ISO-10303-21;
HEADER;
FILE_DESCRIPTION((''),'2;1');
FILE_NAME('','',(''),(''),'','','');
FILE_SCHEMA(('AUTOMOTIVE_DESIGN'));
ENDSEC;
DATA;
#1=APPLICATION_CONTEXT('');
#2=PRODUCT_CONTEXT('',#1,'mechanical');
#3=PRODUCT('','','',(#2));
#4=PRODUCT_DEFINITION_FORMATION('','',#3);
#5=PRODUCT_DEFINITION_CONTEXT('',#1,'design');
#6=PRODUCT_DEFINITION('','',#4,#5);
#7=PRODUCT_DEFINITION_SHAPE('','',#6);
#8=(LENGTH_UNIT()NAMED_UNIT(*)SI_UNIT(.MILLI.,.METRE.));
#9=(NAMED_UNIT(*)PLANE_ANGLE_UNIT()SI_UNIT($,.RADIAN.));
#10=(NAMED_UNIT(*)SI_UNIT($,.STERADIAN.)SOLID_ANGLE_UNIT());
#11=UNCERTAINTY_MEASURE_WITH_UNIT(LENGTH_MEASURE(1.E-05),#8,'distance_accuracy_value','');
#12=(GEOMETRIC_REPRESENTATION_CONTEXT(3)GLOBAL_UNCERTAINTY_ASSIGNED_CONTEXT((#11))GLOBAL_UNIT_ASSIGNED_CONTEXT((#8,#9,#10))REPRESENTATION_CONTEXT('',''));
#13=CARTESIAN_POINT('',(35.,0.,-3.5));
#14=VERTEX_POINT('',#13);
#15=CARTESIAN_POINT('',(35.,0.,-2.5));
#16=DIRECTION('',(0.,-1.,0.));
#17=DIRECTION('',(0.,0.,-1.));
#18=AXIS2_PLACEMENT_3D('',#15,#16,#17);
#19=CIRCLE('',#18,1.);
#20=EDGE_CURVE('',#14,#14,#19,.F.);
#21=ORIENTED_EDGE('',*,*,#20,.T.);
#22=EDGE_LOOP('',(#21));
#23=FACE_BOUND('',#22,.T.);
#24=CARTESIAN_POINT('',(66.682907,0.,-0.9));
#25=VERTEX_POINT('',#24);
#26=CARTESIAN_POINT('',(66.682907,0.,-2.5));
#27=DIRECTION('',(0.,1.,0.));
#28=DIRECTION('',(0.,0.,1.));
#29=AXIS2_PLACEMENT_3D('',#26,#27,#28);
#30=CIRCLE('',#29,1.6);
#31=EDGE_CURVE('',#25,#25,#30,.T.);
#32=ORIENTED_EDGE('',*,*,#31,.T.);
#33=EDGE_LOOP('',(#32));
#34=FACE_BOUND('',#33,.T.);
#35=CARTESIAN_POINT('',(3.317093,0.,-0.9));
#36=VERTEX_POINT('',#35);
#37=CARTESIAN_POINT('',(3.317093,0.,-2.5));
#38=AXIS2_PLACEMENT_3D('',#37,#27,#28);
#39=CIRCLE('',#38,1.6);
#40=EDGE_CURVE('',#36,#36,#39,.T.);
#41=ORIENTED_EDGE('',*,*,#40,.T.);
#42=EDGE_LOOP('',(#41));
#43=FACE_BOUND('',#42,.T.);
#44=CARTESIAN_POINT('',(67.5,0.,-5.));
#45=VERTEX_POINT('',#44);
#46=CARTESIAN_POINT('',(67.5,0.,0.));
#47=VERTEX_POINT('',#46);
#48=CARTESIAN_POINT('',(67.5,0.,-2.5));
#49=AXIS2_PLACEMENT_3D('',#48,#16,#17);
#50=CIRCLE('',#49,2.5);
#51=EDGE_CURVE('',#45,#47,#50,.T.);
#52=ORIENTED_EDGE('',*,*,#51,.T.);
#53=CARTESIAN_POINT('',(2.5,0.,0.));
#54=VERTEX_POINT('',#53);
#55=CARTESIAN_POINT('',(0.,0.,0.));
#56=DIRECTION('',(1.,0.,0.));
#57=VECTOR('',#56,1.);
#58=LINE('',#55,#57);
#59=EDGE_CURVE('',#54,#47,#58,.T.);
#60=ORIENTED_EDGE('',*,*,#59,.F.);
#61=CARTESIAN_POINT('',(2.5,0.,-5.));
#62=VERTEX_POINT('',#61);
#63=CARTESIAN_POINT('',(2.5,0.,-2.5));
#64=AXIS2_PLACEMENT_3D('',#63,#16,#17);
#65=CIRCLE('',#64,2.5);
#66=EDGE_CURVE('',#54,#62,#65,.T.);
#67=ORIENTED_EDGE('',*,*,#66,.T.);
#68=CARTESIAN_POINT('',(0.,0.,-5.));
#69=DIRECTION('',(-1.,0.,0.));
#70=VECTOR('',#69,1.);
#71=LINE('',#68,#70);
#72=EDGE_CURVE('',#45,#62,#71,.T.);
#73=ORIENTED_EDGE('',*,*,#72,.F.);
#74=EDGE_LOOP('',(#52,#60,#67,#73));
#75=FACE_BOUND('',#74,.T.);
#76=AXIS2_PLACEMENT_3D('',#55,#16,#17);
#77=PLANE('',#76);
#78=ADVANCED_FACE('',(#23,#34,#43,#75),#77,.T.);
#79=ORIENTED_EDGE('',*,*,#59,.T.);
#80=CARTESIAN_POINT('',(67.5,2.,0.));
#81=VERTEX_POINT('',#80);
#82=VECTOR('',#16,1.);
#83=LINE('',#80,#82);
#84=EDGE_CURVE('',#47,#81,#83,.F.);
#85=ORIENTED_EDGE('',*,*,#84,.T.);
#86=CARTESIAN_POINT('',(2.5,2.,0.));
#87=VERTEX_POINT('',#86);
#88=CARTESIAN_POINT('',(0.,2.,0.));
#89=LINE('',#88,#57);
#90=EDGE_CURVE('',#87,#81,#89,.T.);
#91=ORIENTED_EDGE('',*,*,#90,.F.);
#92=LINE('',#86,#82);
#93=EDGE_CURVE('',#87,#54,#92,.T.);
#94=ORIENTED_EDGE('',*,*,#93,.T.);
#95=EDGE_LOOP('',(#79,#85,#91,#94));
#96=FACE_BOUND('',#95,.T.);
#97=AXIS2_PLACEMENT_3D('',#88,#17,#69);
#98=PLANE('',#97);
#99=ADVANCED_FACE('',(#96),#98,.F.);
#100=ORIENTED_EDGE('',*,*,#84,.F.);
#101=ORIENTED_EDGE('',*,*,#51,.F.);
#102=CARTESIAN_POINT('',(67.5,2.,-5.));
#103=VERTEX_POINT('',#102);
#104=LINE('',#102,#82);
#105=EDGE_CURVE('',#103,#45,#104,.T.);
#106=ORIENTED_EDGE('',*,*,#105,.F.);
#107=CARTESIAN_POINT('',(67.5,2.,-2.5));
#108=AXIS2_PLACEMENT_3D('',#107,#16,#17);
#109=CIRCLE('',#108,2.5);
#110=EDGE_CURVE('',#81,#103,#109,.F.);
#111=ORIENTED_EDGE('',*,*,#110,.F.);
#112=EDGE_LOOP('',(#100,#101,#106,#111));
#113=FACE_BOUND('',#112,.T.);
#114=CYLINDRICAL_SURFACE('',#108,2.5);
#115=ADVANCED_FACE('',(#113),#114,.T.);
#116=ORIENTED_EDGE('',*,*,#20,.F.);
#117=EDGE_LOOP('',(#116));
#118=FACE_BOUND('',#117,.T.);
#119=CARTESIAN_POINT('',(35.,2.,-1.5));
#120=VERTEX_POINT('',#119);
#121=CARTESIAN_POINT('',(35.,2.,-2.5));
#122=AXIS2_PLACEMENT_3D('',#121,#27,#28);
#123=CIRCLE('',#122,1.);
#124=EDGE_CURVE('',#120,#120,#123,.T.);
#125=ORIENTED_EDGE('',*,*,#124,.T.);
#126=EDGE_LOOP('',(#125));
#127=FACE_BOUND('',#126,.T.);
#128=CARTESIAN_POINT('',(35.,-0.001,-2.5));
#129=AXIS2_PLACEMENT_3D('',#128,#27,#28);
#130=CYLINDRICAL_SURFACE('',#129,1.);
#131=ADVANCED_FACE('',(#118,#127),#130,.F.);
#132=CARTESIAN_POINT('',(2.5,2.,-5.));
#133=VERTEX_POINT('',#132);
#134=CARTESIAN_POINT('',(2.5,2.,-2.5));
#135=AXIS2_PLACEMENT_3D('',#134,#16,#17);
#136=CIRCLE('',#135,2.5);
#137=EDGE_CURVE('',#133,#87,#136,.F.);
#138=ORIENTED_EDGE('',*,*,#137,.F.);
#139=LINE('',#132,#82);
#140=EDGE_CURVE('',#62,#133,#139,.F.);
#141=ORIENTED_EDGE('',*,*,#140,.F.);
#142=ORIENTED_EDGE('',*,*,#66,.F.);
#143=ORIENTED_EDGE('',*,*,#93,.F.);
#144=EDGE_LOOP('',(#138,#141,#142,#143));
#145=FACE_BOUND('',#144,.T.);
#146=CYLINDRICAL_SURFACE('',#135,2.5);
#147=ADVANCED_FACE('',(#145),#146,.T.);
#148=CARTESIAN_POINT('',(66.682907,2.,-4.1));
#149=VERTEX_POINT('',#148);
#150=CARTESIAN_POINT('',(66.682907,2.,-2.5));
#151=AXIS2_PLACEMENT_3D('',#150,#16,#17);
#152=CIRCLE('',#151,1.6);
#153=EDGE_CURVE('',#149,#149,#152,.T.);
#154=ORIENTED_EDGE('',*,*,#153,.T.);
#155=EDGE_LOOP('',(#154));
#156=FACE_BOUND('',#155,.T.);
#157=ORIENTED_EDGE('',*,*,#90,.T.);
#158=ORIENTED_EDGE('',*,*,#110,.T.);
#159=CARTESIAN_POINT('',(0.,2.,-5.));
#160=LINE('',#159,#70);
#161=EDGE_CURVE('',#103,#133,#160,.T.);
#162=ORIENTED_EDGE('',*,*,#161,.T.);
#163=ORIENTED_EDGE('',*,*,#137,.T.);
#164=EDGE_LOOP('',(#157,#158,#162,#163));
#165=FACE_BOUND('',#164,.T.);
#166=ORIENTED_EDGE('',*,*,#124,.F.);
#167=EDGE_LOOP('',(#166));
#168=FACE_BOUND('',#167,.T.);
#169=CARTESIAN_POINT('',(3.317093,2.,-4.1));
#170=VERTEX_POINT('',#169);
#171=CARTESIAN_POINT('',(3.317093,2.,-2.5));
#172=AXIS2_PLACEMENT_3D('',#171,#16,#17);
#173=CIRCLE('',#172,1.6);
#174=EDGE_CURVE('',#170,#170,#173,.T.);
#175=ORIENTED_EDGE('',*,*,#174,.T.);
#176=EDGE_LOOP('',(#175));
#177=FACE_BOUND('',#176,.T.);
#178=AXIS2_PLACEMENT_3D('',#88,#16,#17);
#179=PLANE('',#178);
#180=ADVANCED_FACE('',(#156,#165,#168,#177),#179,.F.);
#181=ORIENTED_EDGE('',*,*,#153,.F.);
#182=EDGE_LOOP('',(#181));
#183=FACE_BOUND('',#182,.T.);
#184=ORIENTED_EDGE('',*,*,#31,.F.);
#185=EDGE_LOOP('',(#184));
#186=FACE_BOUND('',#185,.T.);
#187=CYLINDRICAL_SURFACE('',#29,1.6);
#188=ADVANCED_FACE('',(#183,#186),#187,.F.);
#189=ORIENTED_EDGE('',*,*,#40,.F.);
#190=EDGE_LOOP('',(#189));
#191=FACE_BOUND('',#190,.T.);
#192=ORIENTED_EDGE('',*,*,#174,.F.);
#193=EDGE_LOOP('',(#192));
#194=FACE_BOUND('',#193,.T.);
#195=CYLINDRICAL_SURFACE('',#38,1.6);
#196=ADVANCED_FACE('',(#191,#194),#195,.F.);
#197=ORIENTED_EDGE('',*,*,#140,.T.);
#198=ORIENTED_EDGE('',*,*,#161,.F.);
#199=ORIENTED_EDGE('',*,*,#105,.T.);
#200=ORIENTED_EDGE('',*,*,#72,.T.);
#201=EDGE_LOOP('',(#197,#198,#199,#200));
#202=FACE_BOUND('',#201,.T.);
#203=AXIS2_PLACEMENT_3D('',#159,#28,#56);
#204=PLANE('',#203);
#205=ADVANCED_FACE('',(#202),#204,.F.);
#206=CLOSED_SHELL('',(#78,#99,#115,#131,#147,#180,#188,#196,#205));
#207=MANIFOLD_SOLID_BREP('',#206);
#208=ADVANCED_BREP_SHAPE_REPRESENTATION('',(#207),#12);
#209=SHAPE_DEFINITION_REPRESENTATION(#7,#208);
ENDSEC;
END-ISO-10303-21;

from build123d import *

# Parameters (mm, degrees)
SKETCH1_W               = 70
SKETCH1_H               = 5
BOSS_EXTRUDE1_DEPTH     = 2
CUT_EXTRUDE1_DEPTH      = 71.206837274
CUT_EXTRUDE1_DEPTH_BACK = 71.206837274
SKETCH2_R               = 1.6
CUT_EXTRUDE2_REACH      = 72.207
SKETCH4_R               = 1
FILLET2_RADIUS          = 2.5
FILLET2_LENGTH          = 2
FILLET3_RADIUS          = 2.5
FILLET3_LENGTH          = 2


with BuildPart() as part:
    # Sketch1 → Boss-Extrude1 (new body)
    with BuildSketch(Plane(origin=(0, 0, 0), x_dir=(1, 0, 0), z_dir=(0, 1, 0))):
        with Locations((35, 2.5)):
            Rectangle(SKETCH1_W, SKETCH1_H)
    extrude(amount=BOSS_EXTRUDE1_DEPTH)

    # Sketch2 → Cut-Extrude1 (cut, two sides: drawn at the far end of the back side and taken through both)
    with BuildSketch(Plane(origin=(0, 2, 0), x_dir=(1, 0, 0), z_dir=(0, 1, 0)).offset(-CUT_EXTRUDE1_DEPTH_BACK)):
        with Locations(Location((66.682907, 2.5, 0), (0, 0, 270))):
            Circle(SKETCH2_R)
        with Locations(Location((3.317093, 2.5, 0), (0, 0, 270))):
            Circle(SKETCH2_R)
    extrude(amount=CUT_EXTRUDE1_DEPTH + CUT_EXTRUDE1_DEPTH_BACK, mode=Mode.SUBTRACT)

    # Sketch4 → Cut-Extrude2 (cut, up to next)
    with BuildSketch(Plane(origin=(0, 2, 0), x_dir=(1, 0, 0), z_dir=(0, 1, 0)), mode=Mode.PRIVATE) as cut_extrude2_sk1:
        with Locations(Location((35, 2.5, 0), (0, 0, 270))):
            Circle(SKETCH4_R)
    cut_extrude2_tool1 = extrude(cut_extrude2_sk1.sketch, amount=-CUT_EXTRUDE2_REACH, mode=Mode.PRIVATE) & part.part
    add(cut_extrude2_tool1.solids().sort_by_distance((35, 2, -2.5))[0], mode=Mode.SUBTRACT)

    # Fillet2: full round fillet: the end face becomes a half cylinder, R = half its width
    fillet2_face = Plane((0, 1, -2.5), x_dir=(0, -1, 0), z_dir=(-1, 0, 0))  # on the end face: x along it, z out of the body
    fillet2_slab = fillet2_face.offset(-FILLET2_RADIUS / 2) * Box(FILLET2_LENGTH, 2 * FILLET2_RADIUS, FILLET2_RADIUS, mode=Mode.PRIVATE)  # the body's end, R deep
    fillet2_round = Plane((2.5, 1, -2.5), x_dir=(-1, 0, 0), z_dir=(0, -1, 0)) * Cylinder(FILLET2_RADIUS, FILLET2_LENGTH, mode=Mode.PRIVATE)  # its axis R under the face
    add(fillet2_slab - fillet2_round, mode=Mode.SUBTRACT)

    # Fillet3: full round fillet: the end face becomes a half cylinder, R = half its width
    fillet3_face = Plane((70, 1, -2.5), x_dir=(0, 1, 0), z_dir=(1, 0, 0))  # on the end face: x along it, z out of the body
    fillet3_slab = fillet3_face.offset(-FILLET3_RADIUS / 2) * Box(FILLET3_LENGTH, 2 * FILLET3_RADIUS, FILLET3_RADIUS, mode=Mode.PRIVATE)  # the body's end, R deep
    fillet3_round = Plane((67.5, 1, -2.5), x_dir=(1, 0, 0), z_dir=(0, 1, 0)) * Cylinder(FILLET3_RADIUS, FILLET3_LENGTH, mode=Mode.PRIVATE)  # its axis R under the face
    add(fillet3_slab - fillet3_round, mode=Mode.SUBTRACT)


solid = part.part
